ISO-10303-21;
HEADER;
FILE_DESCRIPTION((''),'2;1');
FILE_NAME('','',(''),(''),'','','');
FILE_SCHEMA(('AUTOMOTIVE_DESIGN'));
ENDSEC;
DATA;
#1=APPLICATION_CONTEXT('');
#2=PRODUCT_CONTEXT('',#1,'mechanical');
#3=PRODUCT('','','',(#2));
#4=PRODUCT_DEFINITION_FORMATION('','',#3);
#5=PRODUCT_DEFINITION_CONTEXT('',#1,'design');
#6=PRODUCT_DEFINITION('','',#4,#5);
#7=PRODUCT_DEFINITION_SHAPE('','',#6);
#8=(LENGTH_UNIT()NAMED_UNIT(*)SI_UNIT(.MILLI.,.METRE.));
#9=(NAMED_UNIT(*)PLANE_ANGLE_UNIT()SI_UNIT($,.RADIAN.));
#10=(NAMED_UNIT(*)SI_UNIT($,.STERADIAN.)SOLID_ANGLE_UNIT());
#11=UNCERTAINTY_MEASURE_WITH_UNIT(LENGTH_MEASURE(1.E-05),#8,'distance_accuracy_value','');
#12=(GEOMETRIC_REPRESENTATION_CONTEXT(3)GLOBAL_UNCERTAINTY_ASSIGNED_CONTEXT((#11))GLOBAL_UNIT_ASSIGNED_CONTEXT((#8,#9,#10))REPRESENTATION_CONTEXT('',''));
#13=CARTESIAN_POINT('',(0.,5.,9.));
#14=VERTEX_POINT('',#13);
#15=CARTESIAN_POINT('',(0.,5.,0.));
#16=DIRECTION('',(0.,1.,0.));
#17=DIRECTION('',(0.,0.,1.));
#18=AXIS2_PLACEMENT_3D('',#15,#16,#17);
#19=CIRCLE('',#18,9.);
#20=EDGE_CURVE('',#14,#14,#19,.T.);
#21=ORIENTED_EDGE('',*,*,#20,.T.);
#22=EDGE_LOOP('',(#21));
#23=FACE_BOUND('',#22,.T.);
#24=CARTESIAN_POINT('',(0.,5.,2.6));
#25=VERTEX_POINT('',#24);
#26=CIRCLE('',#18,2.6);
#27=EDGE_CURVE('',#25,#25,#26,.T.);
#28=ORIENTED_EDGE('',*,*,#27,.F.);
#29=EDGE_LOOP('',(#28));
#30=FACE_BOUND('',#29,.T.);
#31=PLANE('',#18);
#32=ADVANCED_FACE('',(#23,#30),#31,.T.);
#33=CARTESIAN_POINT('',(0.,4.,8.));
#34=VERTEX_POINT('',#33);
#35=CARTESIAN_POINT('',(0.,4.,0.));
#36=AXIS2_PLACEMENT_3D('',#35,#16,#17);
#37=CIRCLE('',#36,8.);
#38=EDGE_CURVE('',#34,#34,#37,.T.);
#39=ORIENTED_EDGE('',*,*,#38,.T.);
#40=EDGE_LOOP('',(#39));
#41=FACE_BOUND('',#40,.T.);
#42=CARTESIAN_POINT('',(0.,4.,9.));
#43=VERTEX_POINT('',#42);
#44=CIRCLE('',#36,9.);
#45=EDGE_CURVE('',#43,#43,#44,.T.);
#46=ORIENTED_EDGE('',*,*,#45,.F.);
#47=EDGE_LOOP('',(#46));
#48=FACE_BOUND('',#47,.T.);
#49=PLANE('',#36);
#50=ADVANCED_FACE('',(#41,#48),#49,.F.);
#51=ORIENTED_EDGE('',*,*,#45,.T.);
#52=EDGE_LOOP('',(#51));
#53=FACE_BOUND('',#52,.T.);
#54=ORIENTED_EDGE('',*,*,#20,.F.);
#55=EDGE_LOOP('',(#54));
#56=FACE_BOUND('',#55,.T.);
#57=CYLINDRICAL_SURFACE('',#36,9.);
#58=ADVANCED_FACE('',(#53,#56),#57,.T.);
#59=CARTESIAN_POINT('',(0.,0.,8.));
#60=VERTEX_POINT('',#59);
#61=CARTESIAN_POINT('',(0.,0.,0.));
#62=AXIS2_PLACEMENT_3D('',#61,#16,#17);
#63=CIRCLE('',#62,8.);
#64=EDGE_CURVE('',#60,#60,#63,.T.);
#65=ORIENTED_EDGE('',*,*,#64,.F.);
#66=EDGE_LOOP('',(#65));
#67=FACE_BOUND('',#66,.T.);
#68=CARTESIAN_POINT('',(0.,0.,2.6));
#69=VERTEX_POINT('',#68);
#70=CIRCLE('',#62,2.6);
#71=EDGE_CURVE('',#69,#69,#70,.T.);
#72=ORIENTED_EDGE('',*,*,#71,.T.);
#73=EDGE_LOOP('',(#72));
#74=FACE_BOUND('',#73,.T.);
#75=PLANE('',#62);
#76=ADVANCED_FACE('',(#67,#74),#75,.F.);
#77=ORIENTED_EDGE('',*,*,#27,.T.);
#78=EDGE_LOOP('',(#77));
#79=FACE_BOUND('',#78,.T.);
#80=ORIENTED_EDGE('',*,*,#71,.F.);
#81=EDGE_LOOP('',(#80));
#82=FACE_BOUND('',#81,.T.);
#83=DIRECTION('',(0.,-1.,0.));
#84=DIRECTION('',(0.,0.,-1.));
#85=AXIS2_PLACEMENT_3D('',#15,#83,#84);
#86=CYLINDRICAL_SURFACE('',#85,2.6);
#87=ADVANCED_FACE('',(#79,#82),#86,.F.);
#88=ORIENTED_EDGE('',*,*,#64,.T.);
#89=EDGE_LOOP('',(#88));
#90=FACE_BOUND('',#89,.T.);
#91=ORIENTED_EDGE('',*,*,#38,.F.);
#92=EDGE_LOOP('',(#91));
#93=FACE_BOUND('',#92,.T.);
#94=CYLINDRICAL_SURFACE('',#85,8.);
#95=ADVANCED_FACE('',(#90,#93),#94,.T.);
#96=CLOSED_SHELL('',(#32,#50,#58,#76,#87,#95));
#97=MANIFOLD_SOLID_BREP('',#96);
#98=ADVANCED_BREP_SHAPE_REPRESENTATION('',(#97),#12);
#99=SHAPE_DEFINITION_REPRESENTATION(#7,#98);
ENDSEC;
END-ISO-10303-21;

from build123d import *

# Parameters (mm, degrees)
SKETCH_1_R      = 8
SKETCH_1_R_2    = 2.6
EXTRUDE_1_DEPTH = 5
SKETCH_2_R      = 9
SKETCH_2_R_2    = 2.6
EXTRUDE_2_DEPTH = 1


with BuildPart() as part:
    # 草图1 → 凸台-拉伸1 (new body)
    with BuildSketch(Plane(origin=(0, 0, 0), x_dir=(1, 0, 0), z_dir=(0, 1, 0))):
        Circle(SKETCH_1_R)
        Circle(SKETCH_1_R_2, mode=Mode.SUBTRACT)
    extrude(amount=EXTRUDE_1_DEPTH)

    # 草图2 → 凸台-拉伸2 (add)
    with BuildSketch(Plane(origin=(0, 5, 0), x_dir=(1, 0, 0), z_dir=(0, 1, 0))):
        Circle(SKETCH_2_R)
        Circle(SKETCH_2_R_2, mode=Mode.SUBTRACT)
    extrude(amount=-EXTRUDE_2_DEPTH)


solid = part.part
